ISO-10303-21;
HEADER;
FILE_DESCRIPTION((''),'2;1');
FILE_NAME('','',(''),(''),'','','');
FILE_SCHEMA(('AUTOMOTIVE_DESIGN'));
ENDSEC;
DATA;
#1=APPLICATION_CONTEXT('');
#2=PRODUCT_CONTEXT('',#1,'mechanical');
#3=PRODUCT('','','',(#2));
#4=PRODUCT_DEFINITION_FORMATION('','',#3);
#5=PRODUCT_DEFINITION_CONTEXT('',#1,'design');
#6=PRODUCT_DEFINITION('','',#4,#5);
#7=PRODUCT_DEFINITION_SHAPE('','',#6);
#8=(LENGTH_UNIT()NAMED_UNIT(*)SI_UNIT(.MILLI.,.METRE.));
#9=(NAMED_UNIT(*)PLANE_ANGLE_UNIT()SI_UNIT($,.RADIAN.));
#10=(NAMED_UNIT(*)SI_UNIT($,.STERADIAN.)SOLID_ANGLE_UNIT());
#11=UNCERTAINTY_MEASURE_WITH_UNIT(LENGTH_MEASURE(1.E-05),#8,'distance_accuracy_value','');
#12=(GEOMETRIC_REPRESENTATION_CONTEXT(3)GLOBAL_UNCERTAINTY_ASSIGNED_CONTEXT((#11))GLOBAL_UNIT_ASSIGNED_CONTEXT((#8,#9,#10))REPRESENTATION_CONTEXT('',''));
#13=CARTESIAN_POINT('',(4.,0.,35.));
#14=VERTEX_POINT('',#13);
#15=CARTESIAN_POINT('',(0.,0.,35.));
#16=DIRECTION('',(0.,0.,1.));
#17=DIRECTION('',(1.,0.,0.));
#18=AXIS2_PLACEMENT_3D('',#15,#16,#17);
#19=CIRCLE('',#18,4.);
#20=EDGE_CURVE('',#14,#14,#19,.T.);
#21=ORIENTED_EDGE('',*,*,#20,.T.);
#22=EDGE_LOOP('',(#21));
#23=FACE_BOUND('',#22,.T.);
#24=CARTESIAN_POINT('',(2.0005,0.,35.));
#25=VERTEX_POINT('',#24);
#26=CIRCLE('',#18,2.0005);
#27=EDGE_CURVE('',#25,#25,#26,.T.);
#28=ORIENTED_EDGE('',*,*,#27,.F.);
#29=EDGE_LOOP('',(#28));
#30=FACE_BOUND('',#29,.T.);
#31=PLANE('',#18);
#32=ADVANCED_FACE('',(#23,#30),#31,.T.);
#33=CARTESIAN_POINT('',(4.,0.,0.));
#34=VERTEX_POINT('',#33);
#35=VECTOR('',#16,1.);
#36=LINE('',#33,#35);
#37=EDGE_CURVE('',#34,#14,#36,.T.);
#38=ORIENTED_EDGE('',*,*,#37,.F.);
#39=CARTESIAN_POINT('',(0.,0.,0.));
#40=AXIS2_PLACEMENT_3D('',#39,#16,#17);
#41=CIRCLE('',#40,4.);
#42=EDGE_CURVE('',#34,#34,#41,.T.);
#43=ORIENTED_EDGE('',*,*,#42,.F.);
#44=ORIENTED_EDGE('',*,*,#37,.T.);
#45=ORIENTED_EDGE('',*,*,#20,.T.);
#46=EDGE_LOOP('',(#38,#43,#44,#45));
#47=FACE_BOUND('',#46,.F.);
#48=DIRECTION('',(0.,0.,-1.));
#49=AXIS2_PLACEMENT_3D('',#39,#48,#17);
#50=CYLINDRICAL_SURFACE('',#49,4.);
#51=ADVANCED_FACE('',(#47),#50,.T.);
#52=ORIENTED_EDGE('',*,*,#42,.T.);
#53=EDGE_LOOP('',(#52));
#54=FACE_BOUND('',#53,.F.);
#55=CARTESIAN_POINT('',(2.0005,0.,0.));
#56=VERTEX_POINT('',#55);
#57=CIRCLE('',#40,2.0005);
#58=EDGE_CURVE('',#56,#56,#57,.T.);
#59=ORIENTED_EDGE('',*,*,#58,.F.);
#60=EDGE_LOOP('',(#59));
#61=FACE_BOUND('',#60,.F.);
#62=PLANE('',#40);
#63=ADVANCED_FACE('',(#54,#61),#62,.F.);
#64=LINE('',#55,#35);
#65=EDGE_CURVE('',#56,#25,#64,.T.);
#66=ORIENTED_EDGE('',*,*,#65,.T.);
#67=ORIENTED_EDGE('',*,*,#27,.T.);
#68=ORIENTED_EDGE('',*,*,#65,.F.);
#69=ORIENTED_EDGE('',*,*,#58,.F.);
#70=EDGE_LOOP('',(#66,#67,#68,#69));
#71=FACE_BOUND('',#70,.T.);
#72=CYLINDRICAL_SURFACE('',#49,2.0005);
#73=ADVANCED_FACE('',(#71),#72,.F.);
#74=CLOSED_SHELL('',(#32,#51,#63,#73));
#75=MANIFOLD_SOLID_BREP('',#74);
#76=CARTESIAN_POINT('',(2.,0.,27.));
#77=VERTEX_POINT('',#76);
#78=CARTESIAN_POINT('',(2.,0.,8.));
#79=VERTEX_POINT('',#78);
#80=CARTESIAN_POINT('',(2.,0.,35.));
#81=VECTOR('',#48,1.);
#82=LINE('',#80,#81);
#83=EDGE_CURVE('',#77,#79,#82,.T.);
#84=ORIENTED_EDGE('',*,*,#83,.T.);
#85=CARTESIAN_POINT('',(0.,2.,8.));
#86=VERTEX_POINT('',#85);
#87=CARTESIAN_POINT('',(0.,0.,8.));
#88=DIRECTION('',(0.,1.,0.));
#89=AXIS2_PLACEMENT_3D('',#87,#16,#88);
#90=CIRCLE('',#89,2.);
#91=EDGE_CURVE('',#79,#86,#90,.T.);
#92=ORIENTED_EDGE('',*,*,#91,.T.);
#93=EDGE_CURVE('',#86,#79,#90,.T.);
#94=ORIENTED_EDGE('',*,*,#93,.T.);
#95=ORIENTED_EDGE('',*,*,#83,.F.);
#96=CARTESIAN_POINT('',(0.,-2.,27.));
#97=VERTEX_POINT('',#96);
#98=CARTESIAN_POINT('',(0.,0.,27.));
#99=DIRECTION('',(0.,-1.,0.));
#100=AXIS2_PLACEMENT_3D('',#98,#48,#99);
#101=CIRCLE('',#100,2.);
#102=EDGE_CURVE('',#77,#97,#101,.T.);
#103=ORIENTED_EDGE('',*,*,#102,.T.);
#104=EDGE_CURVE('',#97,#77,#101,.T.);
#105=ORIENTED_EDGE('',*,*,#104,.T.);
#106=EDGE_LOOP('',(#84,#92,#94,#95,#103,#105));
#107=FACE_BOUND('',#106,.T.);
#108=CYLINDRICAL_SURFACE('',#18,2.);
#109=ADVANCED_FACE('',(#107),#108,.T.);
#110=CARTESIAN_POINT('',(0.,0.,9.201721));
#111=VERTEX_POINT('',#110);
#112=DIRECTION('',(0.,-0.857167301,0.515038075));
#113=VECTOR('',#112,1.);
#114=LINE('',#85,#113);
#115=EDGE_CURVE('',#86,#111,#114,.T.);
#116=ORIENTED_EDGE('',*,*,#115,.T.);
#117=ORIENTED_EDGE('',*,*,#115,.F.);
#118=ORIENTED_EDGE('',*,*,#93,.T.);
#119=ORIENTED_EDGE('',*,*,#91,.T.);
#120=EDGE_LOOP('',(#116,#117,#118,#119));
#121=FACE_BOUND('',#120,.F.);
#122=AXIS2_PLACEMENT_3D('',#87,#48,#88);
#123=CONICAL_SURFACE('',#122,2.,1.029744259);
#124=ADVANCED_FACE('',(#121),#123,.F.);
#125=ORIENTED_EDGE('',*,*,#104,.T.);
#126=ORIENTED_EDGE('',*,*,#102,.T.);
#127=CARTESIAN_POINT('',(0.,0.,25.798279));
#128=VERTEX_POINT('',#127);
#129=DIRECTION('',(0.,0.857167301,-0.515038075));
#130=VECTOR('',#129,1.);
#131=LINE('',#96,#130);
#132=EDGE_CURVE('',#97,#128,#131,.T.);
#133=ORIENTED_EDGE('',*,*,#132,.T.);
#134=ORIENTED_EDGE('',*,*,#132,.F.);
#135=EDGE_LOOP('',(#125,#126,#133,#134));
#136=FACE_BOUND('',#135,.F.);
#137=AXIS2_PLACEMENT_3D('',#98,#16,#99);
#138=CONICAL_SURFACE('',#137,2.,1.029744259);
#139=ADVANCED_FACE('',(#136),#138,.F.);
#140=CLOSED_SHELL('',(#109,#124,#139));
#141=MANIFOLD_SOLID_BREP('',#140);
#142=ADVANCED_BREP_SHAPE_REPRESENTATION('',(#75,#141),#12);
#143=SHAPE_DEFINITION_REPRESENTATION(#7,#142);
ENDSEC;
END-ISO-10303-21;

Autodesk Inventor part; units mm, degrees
ref_plane "YZ Plane" through (0, 0, 0) normal (1, 0, 0) x (0, 1, 0)
ref_plane "XZ Plane" through (0, 0, 0) normal (0, 1, 0) x (-1, 0, 0)
ref_plane "XY Plane" through (0, 0, 0) normal (0, 0, 1) x (1, 0, 0)
sketch "スケッチ1" plane through (0, 0, 0) normal (0, 0, 1) x (1, 0, 0)
  circle A0 centre (0, 0) radius 4
  circle A1 centre (0, 0) radius 2.0005
  dimension "d0" = 8
  dimension "d1" = 4.001
extrude "押し出し1" add sketch "スケッチ1" along normal blind 35
sketch "スケッチ2" plane through (0, 0, 35) normal (0, 0, 1) x (1, 0, 0)
  circle A0 centre (0, 0) radius 2
  dimension "d4" = 4
extrude "押し出し2" add sketch "スケッチ2" against normal blind 35
hole "穴1" at (0, 0, 35) direction (0, 0, -1) diameter 4 depth 8 tip angle 118
hole "穴2" at (0, 0, 0) direction (0, 0, 1) diameter 4 depth 8 tip angle 118
properties part number "スペーサーm4-35　簡易筒型" material "アルミニウム 2014-T4"
